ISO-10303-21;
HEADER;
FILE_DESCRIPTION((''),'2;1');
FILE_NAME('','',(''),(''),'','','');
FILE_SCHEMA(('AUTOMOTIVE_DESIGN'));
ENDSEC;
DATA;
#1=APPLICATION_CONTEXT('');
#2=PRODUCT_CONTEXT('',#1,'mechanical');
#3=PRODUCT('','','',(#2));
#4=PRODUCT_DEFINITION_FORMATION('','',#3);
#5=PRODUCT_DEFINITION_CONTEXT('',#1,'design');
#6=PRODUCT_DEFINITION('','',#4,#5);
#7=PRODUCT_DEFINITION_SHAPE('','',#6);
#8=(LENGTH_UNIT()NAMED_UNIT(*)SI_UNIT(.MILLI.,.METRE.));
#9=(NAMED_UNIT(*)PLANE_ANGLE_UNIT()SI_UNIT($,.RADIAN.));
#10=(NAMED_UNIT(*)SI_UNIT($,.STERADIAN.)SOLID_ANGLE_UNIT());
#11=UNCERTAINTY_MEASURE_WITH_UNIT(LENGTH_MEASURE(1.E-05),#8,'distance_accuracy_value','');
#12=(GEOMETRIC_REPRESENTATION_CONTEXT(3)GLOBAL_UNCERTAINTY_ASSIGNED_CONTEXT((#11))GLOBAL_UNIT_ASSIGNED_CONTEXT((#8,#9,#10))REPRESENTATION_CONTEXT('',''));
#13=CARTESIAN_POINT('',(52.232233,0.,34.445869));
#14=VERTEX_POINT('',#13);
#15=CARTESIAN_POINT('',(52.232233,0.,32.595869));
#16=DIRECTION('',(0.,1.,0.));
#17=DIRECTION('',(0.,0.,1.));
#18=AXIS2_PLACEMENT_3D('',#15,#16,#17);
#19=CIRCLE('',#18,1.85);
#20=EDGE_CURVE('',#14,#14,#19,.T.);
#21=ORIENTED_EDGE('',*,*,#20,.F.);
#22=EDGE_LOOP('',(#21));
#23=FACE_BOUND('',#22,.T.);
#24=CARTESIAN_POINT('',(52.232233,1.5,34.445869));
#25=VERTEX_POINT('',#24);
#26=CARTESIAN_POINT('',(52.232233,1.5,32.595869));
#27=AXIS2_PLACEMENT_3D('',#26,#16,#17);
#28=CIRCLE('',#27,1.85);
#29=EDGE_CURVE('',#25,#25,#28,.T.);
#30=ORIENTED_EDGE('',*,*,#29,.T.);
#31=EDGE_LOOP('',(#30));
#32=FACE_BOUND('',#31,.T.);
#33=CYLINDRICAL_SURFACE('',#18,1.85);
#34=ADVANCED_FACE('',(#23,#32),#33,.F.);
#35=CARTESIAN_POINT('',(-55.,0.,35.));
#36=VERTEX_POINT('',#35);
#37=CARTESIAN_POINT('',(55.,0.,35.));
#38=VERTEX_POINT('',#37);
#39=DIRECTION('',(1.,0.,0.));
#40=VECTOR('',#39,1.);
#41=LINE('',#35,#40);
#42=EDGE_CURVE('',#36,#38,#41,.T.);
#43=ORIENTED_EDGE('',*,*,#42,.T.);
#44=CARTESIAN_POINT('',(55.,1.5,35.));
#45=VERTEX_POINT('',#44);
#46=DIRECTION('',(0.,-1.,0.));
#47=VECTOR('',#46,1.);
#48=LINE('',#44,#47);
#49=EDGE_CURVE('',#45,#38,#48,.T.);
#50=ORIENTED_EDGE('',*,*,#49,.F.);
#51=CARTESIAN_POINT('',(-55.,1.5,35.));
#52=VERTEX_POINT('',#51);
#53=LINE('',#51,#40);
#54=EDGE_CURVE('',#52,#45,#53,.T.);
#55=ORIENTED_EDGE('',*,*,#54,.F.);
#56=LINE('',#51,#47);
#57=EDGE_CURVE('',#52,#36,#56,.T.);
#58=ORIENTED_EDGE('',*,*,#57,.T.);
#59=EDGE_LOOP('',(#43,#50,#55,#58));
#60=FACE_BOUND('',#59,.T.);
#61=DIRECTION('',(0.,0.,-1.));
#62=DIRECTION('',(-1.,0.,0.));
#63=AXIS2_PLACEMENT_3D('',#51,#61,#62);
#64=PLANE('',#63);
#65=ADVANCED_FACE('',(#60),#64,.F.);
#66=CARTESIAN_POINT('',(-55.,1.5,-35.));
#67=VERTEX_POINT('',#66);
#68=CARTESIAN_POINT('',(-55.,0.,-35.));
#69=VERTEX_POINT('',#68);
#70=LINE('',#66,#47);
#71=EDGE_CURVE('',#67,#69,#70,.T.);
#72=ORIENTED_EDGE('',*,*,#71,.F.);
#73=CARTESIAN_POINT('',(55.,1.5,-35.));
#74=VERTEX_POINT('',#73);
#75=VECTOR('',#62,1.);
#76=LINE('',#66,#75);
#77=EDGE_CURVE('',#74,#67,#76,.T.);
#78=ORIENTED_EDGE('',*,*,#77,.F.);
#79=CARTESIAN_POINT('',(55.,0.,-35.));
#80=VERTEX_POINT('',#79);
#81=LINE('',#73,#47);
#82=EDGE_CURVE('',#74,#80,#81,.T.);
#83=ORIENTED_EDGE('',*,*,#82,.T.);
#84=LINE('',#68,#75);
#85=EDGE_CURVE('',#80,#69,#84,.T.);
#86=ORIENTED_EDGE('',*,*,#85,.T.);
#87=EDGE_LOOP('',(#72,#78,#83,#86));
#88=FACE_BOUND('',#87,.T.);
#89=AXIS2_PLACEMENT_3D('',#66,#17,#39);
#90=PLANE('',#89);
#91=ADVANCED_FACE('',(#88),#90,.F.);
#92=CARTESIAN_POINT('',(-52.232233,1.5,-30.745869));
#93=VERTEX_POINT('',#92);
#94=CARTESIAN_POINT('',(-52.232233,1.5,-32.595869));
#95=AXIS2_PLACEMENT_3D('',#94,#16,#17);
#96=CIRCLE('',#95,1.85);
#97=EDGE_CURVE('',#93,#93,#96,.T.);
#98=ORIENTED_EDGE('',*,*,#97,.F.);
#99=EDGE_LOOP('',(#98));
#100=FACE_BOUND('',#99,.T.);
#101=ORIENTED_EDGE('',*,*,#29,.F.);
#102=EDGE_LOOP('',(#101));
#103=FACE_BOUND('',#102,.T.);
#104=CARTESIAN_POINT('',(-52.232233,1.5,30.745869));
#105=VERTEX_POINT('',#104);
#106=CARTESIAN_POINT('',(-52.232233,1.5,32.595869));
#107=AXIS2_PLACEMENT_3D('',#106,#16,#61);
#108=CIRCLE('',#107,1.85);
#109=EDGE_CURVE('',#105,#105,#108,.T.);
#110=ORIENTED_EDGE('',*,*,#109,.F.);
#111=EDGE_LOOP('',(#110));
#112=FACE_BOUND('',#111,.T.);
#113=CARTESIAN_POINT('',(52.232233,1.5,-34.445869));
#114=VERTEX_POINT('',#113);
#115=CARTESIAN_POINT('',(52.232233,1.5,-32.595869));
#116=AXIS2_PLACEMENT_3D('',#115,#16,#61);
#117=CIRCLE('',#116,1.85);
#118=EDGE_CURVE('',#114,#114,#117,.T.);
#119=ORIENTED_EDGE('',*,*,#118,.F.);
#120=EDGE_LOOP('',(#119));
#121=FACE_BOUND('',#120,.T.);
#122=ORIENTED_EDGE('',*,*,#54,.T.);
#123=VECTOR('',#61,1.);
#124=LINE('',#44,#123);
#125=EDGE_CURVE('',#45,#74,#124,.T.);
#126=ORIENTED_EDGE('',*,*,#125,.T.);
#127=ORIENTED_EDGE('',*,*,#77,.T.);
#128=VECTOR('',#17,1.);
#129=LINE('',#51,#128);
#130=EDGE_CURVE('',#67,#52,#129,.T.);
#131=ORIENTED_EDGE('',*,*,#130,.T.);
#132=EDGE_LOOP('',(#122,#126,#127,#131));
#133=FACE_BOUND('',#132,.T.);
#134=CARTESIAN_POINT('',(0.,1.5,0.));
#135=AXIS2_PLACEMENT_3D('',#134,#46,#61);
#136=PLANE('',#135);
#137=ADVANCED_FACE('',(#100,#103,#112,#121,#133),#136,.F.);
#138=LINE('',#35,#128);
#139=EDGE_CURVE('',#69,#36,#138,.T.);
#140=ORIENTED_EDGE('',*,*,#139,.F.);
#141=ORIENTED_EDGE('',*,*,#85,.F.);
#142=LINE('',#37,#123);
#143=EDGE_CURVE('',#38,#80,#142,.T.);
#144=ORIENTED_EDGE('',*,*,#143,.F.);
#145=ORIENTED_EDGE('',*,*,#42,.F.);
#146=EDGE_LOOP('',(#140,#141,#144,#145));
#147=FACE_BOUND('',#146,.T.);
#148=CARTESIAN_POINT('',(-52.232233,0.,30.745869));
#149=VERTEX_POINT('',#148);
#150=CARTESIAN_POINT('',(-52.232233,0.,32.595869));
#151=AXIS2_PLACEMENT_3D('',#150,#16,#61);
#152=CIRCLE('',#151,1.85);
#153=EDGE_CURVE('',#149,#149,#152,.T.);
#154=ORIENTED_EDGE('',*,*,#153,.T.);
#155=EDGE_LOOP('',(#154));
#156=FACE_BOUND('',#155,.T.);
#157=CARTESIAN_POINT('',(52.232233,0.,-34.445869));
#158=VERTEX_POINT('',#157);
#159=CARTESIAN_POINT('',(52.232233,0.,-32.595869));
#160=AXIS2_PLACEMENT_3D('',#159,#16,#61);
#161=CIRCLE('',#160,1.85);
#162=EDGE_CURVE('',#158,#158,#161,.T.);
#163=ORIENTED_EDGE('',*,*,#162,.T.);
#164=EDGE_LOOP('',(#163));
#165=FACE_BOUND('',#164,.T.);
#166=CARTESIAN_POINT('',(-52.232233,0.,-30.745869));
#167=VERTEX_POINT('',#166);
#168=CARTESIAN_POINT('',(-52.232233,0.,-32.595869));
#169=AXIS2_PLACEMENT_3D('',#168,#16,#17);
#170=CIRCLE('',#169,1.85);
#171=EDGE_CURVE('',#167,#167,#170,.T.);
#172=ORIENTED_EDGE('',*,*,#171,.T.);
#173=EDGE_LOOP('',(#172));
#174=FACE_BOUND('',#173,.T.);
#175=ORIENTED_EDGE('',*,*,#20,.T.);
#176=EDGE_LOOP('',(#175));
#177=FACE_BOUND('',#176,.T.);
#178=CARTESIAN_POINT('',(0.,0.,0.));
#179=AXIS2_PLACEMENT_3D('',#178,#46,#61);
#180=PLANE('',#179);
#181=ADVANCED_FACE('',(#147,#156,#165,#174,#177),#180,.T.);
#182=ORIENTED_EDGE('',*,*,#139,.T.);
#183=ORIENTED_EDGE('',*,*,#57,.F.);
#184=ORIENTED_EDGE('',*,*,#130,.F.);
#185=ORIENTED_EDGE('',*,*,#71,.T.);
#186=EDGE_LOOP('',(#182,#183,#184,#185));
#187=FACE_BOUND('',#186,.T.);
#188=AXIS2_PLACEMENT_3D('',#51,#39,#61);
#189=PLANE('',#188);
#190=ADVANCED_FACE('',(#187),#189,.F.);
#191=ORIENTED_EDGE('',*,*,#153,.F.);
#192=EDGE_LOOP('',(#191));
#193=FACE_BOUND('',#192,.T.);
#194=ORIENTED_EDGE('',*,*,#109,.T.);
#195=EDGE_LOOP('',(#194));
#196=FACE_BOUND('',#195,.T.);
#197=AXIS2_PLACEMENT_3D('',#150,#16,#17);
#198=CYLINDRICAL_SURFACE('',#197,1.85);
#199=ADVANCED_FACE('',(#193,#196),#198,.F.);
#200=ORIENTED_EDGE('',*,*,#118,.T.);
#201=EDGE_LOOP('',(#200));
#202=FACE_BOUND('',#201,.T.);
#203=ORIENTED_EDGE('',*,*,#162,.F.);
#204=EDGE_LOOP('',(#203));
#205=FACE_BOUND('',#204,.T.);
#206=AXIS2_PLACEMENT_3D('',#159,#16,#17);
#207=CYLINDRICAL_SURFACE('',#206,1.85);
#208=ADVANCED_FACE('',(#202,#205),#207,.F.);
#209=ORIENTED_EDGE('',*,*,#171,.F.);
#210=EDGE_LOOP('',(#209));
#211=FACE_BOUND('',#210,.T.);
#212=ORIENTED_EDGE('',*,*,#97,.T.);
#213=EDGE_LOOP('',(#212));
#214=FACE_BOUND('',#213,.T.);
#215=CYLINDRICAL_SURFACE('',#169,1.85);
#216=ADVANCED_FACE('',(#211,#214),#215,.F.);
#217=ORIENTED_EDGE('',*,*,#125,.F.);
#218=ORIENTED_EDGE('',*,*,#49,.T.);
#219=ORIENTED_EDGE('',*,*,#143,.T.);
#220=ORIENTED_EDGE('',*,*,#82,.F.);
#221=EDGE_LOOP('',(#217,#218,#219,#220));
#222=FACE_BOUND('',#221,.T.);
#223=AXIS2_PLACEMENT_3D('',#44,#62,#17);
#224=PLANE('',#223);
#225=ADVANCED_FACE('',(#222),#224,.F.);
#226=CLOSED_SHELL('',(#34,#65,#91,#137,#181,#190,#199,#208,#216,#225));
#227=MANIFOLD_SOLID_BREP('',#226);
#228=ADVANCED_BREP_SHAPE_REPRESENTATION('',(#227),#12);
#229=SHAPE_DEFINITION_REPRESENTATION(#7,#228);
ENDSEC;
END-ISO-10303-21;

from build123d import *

# Parameters (mm, degrees)
IZIM1_W                     = 110
IZIM1_H                     = 70
Y_KSEKLIK_EKSTR_ZYON1_DEPTH = 1.5
IZIM2_R                     = 1.85
KES_EKSTR_ZYON1_DEPTH       = 1.5


with BuildPart() as part:
    # Çizim1 → Yükseklik-Ekstrüzyon1 (new body)
    with BuildSketch(Plane(origin=(0, 0, 0), x_dir=(1, 0, 0), z_dir=(0, 1, 0))):
        Rectangle(IZIM1_W, IZIM1_H)
    extrude(amount=Y_KSEKLIK_EKSTR_ZYON1_DEPTH)

    # Çizim2 → Kes-Ekstrüzyon1 (cut)
    with BuildSketch(Plane(origin=(0, 1.5, 0), x_dir=(1, 0, 0), z_dir=(0, 1, 0))):
        with Locations(Location((-52.232233048, 32.595869412, 0), (0, 0, 270))):
            Circle(IZIM2_R)
        with Locations(Location((52.232233048, 32.595869412, 0), (0, 0, 90))):
            Circle(IZIM2_R)
        with Locations(Location((52.232233048, -32.595869412, 0), (0, 0, 270))):
            Circle(IZIM2_R)
        with Locations(Location((-52.232233048, -32.595869412, 0), (0, 0, 90))):
            Circle(IZIM2_R)
    extrude(amount=-KES_EKSTR_ZYON1_DEPTH, mode=Mode.SUBTRACT)


solid = part.part
